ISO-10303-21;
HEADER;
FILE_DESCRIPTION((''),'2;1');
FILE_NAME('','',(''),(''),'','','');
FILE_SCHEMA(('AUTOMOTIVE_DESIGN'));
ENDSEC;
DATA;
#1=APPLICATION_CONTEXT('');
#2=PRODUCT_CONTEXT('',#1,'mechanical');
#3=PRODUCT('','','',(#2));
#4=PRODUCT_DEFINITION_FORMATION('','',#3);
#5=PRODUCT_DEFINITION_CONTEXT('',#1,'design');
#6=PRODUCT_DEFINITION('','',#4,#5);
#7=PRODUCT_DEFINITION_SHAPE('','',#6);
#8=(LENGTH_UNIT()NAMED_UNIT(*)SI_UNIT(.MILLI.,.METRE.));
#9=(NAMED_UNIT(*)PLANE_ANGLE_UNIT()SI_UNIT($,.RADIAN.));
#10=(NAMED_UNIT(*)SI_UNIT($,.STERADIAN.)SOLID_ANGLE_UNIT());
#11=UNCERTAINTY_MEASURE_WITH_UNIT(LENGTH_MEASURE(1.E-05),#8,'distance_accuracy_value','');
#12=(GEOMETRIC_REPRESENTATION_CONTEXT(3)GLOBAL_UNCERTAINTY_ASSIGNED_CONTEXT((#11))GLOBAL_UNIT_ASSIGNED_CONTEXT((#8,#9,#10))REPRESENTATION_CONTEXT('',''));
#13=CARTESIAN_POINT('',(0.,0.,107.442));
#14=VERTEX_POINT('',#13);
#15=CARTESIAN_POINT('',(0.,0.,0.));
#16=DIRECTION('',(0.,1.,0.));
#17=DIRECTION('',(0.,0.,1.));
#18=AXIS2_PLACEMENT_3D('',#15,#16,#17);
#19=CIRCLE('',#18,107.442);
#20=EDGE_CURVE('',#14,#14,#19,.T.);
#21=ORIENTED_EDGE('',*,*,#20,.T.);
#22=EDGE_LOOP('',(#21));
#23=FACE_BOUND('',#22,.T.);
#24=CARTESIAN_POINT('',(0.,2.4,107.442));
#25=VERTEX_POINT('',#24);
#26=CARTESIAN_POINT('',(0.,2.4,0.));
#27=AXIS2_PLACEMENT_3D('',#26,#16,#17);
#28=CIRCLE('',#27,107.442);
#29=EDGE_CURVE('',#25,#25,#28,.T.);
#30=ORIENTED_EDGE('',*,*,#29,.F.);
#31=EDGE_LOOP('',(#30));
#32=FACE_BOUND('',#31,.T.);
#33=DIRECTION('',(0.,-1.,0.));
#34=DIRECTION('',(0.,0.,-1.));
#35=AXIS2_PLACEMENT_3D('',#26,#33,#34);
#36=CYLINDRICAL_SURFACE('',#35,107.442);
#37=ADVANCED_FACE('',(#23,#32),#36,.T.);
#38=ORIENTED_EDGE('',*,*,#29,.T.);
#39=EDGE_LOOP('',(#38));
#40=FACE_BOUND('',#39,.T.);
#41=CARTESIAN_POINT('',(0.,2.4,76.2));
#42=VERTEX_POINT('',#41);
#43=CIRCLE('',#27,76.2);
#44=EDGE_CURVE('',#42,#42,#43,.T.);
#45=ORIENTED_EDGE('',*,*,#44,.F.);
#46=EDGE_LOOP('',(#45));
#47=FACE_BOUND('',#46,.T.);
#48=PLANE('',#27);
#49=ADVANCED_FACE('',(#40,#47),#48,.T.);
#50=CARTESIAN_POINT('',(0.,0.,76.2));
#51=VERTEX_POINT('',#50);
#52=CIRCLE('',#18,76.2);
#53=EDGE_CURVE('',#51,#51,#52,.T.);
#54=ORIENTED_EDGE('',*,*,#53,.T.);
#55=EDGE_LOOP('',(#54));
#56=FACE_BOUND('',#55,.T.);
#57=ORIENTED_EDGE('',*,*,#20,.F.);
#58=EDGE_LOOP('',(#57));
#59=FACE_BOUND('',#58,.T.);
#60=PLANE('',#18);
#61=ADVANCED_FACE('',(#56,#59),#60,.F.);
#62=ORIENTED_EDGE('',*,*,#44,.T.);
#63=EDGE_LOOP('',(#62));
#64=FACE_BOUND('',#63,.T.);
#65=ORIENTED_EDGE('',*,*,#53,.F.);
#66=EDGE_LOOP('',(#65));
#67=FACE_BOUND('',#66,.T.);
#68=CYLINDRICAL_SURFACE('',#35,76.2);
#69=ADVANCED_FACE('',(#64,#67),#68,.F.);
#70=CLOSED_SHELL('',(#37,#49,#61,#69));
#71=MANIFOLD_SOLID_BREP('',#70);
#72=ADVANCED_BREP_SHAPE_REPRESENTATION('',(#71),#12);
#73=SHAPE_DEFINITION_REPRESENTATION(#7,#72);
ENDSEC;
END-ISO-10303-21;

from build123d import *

# Parameters (mm, degrees)
SKETCH1_R           = 107.442
SKETCH1_R_2         = 76.2
BOSS_EXTRUDE1_DEPTH = 2.4


with BuildPart() as part:
    # Sketch1 → Boss-Extrude1 (new body)
    with BuildSketch(Plane(origin=(0, 0, 0), x_dir=(1, 0, 0), z_dir=(0, 1, 0))):
        Circle(SKETCH1_R)
        Circle(SKETCH1_R_2, mode=Mode.SUBTRACT)
    extrude(amount=BOSS_EXTRUDE1_DEPTH)


solid = part.part
